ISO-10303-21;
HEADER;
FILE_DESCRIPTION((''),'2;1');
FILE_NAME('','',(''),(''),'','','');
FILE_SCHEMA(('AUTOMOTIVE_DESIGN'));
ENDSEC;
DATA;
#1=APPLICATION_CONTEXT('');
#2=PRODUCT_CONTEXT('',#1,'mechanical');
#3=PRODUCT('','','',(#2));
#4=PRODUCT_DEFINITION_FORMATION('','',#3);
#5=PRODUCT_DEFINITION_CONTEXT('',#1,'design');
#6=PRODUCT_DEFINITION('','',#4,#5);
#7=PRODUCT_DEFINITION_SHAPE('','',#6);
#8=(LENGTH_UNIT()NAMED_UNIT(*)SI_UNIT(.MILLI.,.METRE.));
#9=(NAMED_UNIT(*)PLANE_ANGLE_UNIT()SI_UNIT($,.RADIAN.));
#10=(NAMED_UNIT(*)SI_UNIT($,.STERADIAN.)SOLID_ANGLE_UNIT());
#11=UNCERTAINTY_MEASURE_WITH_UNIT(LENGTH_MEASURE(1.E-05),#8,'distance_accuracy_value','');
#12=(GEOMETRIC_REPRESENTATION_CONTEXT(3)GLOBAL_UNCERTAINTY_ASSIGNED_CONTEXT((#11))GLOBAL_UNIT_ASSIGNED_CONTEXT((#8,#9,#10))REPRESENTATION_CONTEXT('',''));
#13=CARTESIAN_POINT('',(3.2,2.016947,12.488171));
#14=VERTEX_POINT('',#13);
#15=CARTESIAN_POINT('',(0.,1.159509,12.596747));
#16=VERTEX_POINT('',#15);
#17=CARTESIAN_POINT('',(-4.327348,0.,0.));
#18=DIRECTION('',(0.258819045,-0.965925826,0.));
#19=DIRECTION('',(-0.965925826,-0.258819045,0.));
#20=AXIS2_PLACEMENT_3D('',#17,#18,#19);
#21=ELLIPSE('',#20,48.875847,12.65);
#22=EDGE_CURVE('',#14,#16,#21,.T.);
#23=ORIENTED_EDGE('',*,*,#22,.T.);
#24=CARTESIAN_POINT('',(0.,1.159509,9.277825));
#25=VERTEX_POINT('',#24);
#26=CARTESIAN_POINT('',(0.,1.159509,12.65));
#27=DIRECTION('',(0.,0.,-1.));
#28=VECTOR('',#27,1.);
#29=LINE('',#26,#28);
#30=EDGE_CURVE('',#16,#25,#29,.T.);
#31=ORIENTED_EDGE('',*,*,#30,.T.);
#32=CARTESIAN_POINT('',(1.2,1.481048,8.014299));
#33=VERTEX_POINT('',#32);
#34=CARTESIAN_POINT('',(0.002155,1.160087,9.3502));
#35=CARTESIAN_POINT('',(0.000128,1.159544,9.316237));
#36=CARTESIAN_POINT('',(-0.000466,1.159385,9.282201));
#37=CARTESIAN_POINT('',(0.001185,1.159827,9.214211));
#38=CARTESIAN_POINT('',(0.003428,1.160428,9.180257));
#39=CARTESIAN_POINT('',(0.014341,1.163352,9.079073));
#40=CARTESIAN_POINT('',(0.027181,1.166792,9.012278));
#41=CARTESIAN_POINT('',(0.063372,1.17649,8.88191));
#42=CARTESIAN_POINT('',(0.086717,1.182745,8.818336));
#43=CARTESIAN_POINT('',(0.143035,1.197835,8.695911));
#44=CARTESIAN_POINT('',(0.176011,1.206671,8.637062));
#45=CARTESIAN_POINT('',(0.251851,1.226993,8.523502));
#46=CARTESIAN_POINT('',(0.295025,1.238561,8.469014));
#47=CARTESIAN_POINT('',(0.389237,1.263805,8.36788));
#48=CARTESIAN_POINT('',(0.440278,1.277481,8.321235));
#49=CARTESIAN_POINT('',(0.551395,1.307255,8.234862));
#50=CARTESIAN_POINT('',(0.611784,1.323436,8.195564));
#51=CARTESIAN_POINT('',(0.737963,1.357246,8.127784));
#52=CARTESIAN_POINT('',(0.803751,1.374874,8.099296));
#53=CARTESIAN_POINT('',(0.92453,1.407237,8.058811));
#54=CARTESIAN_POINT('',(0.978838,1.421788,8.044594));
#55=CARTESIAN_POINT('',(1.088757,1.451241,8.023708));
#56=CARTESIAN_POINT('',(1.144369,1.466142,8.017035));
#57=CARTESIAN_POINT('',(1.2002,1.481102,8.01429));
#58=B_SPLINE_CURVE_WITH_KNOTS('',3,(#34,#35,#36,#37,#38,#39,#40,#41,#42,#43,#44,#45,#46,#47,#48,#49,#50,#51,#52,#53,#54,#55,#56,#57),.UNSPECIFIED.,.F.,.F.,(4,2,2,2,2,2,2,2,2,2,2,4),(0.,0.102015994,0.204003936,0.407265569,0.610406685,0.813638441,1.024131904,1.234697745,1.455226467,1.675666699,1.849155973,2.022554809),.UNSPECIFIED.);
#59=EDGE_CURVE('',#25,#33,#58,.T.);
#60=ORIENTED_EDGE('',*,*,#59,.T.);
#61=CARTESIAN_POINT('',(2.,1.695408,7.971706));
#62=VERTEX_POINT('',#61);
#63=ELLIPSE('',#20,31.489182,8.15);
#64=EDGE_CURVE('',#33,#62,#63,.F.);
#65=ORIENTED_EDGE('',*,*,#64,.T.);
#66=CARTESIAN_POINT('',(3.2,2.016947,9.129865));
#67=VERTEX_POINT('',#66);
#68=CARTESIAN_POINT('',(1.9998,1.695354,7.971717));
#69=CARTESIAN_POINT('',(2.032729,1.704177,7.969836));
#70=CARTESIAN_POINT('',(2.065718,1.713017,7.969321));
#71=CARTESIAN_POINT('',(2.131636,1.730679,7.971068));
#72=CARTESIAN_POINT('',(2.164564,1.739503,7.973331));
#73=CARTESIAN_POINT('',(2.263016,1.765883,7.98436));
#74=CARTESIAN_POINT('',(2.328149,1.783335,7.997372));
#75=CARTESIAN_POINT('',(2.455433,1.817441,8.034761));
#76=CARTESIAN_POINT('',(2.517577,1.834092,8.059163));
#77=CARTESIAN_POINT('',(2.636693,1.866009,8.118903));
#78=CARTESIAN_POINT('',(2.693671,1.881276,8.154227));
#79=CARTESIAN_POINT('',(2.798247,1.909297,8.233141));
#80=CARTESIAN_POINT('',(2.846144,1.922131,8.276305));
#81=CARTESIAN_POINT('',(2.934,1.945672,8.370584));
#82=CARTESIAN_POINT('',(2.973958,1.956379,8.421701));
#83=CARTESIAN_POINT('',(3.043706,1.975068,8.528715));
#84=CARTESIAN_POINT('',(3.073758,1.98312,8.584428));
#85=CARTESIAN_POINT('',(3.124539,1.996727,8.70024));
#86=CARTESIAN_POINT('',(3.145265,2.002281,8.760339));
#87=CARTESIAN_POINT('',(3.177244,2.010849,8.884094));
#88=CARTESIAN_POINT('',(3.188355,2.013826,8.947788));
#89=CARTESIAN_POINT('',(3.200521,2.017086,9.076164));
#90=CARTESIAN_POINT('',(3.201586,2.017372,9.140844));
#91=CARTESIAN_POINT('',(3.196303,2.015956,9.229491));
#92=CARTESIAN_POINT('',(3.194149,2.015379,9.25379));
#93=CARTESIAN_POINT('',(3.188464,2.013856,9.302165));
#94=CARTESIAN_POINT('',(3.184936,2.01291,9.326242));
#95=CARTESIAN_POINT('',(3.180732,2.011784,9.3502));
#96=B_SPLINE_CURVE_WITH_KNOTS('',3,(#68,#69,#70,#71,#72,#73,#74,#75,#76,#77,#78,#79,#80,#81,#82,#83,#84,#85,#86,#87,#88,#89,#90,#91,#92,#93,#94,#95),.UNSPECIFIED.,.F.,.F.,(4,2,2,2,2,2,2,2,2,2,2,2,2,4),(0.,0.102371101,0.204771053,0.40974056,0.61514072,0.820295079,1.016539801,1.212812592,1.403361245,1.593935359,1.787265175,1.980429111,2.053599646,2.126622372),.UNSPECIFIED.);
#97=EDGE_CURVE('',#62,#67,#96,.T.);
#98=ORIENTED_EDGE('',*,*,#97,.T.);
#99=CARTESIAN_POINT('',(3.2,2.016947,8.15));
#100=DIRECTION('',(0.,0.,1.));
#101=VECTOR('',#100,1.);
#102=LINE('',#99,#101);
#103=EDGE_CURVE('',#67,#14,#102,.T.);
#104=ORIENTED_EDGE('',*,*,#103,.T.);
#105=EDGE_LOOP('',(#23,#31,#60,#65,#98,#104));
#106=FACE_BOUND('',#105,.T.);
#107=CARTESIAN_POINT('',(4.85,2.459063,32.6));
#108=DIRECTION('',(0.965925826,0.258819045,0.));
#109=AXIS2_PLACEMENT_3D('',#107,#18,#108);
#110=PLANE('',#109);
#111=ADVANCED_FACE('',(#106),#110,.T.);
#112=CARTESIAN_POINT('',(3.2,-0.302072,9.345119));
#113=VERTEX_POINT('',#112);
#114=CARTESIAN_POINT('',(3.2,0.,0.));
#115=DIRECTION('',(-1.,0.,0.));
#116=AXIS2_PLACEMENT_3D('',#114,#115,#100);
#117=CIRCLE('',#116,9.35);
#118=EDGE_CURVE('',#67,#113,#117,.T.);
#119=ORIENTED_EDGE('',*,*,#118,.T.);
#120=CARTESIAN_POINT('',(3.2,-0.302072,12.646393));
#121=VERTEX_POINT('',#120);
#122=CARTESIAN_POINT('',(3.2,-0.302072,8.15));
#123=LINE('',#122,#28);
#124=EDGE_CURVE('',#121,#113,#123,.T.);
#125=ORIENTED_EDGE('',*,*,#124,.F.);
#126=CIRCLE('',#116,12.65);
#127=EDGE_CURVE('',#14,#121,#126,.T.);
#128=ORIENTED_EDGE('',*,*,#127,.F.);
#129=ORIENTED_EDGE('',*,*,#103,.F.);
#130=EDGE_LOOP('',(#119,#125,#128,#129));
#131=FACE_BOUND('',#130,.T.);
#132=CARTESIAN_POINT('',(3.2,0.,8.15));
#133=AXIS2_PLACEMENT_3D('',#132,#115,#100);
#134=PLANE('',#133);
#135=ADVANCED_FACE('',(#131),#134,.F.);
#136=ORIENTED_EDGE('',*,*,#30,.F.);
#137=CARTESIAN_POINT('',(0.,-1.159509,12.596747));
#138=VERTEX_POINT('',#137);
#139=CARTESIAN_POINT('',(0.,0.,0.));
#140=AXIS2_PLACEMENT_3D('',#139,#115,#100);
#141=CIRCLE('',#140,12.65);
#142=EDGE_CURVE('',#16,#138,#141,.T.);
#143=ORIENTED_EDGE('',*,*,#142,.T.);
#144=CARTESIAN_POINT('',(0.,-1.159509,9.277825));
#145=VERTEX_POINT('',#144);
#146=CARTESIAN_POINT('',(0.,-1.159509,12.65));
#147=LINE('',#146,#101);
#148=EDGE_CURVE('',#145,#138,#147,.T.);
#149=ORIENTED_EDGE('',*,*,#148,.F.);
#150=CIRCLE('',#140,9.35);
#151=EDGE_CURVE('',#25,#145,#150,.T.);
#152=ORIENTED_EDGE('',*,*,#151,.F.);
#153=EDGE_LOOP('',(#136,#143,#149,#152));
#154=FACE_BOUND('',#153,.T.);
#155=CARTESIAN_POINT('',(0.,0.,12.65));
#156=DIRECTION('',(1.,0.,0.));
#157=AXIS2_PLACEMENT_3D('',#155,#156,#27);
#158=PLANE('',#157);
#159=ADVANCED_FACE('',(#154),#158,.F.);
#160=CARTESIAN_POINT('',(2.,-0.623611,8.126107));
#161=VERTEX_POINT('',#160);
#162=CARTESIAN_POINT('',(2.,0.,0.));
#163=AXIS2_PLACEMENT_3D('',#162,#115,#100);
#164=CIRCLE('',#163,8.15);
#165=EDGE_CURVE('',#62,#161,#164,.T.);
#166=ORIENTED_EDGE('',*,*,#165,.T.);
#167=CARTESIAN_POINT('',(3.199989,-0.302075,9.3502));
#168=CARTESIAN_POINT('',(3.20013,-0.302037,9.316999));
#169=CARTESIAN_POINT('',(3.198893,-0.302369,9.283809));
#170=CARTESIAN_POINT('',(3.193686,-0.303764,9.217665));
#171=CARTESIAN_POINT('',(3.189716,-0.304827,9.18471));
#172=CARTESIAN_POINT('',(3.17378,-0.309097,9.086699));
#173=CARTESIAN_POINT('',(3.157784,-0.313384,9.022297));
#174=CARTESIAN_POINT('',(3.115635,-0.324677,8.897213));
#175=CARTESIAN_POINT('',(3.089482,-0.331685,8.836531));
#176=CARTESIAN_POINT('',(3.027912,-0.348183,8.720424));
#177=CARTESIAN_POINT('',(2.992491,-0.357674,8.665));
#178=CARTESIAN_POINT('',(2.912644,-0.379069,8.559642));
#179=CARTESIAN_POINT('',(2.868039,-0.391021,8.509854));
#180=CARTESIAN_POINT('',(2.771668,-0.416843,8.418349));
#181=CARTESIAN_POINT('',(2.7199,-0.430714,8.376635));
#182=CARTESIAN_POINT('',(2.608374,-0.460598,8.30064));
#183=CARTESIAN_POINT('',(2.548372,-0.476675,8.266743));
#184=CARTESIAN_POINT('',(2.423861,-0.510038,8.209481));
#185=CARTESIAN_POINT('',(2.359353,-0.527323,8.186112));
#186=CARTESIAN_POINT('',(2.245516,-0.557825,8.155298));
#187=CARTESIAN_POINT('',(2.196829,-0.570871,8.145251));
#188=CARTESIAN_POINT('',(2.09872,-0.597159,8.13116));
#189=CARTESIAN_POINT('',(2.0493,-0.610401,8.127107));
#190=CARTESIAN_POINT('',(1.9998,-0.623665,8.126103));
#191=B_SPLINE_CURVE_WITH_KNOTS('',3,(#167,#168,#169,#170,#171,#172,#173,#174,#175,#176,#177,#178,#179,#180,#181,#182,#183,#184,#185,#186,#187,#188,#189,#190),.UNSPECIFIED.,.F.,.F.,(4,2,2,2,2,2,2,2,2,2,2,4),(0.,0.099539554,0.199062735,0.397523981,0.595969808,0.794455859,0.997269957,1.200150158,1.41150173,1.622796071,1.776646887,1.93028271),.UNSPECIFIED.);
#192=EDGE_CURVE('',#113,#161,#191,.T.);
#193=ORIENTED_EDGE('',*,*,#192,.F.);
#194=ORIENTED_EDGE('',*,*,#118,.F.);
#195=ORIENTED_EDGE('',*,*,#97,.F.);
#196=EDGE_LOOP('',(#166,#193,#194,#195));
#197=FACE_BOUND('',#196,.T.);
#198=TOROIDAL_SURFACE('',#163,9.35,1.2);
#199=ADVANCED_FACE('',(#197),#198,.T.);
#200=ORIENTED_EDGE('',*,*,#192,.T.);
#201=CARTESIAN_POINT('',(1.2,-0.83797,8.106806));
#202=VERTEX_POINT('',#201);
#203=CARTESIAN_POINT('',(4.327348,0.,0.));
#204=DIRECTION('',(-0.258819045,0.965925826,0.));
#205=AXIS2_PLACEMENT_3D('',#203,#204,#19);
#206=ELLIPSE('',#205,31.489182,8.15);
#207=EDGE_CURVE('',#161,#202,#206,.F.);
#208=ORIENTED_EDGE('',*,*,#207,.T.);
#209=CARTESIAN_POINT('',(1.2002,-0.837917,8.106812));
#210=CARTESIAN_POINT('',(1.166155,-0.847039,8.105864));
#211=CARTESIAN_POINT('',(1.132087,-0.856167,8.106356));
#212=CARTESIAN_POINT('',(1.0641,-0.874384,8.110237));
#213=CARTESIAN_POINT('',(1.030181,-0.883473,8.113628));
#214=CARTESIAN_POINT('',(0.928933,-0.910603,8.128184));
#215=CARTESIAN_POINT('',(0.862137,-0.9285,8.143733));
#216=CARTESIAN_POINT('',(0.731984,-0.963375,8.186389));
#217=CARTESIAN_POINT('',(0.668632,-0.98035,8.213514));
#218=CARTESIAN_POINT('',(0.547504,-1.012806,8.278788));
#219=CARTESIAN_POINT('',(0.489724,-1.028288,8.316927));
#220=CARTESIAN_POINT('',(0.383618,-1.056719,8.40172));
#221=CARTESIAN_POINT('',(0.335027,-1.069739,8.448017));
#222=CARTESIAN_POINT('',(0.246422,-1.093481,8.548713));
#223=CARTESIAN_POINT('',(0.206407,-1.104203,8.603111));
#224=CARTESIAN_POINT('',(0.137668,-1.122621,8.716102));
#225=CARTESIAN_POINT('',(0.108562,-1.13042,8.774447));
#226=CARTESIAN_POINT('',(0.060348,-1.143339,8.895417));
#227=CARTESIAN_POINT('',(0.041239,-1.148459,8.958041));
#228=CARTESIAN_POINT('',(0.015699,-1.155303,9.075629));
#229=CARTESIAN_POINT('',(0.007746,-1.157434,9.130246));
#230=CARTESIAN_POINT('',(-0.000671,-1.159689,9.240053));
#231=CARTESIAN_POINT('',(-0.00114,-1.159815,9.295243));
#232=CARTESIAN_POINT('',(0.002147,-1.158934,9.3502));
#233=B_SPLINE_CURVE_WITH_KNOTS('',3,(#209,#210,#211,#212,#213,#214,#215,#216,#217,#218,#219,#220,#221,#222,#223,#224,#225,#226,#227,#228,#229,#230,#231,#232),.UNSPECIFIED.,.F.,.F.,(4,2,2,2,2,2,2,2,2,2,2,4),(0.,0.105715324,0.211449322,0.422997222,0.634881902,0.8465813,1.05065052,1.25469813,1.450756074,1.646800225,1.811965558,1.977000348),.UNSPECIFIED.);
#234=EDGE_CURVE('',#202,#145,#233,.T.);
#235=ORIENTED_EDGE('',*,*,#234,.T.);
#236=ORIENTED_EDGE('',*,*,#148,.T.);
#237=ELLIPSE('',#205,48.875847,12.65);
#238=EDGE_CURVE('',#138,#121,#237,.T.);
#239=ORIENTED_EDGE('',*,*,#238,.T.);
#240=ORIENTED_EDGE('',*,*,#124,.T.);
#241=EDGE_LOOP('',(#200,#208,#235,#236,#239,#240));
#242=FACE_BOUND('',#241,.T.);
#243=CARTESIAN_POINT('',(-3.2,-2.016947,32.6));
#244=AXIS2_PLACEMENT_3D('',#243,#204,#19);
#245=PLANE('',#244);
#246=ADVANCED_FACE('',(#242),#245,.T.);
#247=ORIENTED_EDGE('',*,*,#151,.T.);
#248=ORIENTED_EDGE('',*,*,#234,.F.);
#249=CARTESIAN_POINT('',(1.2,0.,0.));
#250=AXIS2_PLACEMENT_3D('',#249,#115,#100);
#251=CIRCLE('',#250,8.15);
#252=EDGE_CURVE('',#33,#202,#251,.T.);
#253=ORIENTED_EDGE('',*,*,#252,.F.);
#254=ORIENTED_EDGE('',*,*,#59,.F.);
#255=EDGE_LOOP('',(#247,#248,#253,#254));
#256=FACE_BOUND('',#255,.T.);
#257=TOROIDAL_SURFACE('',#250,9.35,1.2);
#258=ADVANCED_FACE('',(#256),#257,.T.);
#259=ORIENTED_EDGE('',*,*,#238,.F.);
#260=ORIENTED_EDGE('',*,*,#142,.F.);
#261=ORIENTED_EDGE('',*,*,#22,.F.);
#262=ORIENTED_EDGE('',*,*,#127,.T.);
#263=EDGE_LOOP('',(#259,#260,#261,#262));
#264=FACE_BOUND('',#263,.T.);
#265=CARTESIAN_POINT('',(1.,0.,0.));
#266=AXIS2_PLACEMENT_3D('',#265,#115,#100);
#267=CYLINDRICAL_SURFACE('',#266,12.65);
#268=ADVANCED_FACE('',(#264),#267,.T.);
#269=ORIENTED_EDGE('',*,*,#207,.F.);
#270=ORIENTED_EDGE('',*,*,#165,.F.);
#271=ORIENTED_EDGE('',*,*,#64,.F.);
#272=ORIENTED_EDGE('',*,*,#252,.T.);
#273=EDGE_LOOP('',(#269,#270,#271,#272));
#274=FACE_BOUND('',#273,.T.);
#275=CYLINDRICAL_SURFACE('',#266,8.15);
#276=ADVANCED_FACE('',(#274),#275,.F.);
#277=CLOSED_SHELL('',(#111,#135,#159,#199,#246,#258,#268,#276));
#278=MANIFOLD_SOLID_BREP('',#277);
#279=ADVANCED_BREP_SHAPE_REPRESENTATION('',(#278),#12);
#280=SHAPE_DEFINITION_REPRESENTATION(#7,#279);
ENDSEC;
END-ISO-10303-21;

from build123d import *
from build123d.topology import SkipClean

# Parameters (mm, degrees)
SZKIC1_W                   = 3.2
SZKIC1_H                   = 4.5
OBR_T1_ANGLE               = 180
OBR_T1_OTHER_WAY_ANGLE     = 180
WYTNIJ_WYCI_GNI_CIE1_DEPTH = 32.6


with BuildPart() as part:
    # Szkic1 → Obrót1 (revolve)
    with BuildSketch(Plane(origin=(0, 0, 0), x_dir=(1, 0, 0), z_dir=(0, 1, 0))):
        with Locations((1.6, 10.4)):
            Rectangle(SZKIC1_W, SZKIC1_H)
    revolve(axis=Axis((1, 0, 0), (-1, 0, 0)), revolution_arc=OBR_T1_ANGLE)

    # Szkic1 → Obrót1 other way (revolve)
    with SkipClean():  # the faces are left unmerged after this step: merging them gives an invalid solid
        with BuildSketch(Plane(origin=(0, 0, 0), x_dir=(1, 0, 0), z_dir=(0, 1, 0))):
            with Locations((1.6, 10.4)):
                Rectangle(SZKIC1_W, SZKIC1_H)
        revolve(axis=Axis((1, 0, 0), (1, 0, 0)), revolution_arc=OBR_T1_OTHER_WAY_ANGLE)

    # Szkic2 → Wytnij-wyciągnięcie1 (cut)
    with BuildSketch(Plane.XY):
        Polygon((-3.2, 0.302071906), (-3.2, -2.016946738), (4.85, 0.140044261), (4.85, 2.459062905), align=None)
    extrude(amount=WYTNIJ_WYCI_GNI_CIE1_DEPTH, mode=Mode.SUBTRACT)

    # Szkic3 → Wycięcie-obrót1 (revolve, cut)
    with BuildSketch(Plane.XY):
        with BuildLine():
            Line((0, 5.433333333), (3.2, 5.433333333))
            Line((3.2, 5.433333333), (3.2, 9.35))
            ThreePointArc((3.2, 9.35), (2.848528137, 8.501471863), (2, 8.15))
            Line((2, 8.15), (1.2, 8.15))
            ThreePointArc((1.2, 8.15), (0.351471863, 8.501471863), (0, 9.35))
            Line((0, 9.35), (0, 5.433333333))
        make_face()
    revolve(axis=Axis((1, 0, 0), (-1, 0, 0)), mode=Mode.SUBTRACT)


solid = part.part
